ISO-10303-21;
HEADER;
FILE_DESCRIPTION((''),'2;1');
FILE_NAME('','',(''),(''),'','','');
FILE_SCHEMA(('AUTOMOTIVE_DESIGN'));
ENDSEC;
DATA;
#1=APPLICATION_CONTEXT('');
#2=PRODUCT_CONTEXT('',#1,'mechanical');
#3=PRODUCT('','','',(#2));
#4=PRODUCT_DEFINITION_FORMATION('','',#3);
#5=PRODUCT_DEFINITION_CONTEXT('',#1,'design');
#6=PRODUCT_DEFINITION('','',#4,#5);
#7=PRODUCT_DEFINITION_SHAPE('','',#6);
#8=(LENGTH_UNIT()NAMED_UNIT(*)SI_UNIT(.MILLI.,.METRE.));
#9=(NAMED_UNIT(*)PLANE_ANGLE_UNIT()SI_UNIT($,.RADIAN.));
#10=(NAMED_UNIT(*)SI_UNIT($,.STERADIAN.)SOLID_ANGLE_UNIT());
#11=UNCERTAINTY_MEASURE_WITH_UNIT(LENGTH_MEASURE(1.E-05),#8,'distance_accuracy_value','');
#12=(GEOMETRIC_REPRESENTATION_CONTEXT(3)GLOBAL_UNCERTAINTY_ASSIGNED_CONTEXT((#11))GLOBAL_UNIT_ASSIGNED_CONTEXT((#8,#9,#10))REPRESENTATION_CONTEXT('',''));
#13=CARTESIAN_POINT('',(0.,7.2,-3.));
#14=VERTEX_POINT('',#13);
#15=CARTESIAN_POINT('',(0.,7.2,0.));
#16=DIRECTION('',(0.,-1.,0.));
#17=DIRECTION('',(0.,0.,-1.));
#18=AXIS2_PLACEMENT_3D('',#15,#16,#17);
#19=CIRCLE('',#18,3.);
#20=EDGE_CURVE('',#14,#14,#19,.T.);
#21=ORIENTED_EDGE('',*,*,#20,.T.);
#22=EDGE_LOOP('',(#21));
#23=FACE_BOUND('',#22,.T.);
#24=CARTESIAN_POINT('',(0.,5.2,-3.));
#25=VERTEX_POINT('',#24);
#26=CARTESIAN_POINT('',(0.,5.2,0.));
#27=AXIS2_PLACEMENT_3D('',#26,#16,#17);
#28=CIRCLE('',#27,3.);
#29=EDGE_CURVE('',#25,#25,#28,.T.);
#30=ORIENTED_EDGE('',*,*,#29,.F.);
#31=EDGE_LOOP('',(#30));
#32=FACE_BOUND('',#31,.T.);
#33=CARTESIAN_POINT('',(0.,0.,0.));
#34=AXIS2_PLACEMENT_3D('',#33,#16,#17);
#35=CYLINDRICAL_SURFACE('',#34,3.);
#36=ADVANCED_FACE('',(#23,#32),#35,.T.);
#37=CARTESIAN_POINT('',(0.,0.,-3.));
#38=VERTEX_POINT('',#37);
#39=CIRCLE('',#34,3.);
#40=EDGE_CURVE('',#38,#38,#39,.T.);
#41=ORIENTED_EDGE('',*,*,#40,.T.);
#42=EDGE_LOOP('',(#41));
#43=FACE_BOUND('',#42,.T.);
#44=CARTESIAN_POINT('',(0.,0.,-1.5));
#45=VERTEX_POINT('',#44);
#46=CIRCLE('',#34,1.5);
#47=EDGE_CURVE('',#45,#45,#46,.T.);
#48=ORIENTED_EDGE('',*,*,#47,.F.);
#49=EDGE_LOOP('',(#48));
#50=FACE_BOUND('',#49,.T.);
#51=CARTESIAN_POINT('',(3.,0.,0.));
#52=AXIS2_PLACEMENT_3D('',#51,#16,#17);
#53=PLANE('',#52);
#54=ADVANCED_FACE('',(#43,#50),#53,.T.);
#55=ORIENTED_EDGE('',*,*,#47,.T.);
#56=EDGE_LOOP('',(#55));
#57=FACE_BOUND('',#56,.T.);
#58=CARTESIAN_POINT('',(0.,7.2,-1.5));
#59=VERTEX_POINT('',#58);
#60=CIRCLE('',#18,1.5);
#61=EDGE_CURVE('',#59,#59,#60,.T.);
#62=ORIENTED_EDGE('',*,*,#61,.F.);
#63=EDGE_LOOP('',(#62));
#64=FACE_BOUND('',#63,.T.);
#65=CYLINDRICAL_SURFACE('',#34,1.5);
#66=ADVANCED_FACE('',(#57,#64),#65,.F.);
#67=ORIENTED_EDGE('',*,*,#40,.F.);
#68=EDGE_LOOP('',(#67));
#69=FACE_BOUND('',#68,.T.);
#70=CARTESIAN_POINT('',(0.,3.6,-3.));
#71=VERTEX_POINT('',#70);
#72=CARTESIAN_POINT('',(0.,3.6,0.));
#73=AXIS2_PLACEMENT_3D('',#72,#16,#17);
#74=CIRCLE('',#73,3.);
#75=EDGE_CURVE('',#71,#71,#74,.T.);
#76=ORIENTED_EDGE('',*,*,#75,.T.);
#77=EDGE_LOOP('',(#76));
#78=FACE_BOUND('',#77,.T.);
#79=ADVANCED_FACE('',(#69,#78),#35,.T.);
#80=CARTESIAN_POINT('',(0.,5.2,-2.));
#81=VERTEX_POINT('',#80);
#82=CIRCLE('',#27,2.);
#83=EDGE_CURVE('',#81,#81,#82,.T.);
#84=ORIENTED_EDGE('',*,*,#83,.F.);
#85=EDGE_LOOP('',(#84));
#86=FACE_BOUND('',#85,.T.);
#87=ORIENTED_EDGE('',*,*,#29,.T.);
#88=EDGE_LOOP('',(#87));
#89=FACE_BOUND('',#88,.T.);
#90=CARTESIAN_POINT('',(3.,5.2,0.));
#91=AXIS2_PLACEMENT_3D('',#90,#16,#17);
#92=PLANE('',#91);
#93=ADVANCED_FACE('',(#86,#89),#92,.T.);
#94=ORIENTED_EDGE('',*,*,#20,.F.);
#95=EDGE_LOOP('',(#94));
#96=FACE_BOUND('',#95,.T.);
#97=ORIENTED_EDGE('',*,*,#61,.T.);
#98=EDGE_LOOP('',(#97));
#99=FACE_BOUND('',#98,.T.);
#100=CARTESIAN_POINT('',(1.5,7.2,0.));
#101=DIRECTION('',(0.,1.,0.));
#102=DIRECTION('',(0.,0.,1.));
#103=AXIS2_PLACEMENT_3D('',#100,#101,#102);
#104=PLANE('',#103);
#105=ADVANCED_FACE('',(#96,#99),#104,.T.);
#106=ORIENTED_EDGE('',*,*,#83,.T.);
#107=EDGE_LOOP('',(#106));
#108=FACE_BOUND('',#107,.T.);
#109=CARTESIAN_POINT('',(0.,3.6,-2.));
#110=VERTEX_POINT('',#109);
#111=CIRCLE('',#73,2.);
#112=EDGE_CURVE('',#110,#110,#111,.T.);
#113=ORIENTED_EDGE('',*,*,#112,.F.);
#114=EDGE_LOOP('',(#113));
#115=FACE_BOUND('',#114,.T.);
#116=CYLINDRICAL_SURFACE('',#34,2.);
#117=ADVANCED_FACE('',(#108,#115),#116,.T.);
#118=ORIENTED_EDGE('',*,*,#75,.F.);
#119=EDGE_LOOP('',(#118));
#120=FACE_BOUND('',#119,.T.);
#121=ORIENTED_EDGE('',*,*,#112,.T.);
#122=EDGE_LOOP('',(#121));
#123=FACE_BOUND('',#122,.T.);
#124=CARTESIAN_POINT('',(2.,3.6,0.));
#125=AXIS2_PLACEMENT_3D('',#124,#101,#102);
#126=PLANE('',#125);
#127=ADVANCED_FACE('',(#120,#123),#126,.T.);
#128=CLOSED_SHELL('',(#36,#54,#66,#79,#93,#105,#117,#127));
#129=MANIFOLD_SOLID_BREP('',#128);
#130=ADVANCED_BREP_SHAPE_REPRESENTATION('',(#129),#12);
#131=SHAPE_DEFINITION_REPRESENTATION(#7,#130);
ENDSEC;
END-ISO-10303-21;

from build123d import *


with BuildPart() as part:
    # Sketch1 → Revolve1 (revolve)
    with BuildSketch(Plane.XY, mode=Mode.PRIVATE) as revolve1_sk:
        Polygon((1.5, 7.2), (3, 7.2), (3, 5.2), (2, 5.2), (2, 3.6), (3, 3.6), (3, 0), (1.5, 0), align=None)
    revolve(revolve1_sk.sketch.rotate(Axis((0, 0, 0), (0, 1, 0)), 90), axis=Axis((0, 0, 0), (0, 1, 0)))


solid = part.part
